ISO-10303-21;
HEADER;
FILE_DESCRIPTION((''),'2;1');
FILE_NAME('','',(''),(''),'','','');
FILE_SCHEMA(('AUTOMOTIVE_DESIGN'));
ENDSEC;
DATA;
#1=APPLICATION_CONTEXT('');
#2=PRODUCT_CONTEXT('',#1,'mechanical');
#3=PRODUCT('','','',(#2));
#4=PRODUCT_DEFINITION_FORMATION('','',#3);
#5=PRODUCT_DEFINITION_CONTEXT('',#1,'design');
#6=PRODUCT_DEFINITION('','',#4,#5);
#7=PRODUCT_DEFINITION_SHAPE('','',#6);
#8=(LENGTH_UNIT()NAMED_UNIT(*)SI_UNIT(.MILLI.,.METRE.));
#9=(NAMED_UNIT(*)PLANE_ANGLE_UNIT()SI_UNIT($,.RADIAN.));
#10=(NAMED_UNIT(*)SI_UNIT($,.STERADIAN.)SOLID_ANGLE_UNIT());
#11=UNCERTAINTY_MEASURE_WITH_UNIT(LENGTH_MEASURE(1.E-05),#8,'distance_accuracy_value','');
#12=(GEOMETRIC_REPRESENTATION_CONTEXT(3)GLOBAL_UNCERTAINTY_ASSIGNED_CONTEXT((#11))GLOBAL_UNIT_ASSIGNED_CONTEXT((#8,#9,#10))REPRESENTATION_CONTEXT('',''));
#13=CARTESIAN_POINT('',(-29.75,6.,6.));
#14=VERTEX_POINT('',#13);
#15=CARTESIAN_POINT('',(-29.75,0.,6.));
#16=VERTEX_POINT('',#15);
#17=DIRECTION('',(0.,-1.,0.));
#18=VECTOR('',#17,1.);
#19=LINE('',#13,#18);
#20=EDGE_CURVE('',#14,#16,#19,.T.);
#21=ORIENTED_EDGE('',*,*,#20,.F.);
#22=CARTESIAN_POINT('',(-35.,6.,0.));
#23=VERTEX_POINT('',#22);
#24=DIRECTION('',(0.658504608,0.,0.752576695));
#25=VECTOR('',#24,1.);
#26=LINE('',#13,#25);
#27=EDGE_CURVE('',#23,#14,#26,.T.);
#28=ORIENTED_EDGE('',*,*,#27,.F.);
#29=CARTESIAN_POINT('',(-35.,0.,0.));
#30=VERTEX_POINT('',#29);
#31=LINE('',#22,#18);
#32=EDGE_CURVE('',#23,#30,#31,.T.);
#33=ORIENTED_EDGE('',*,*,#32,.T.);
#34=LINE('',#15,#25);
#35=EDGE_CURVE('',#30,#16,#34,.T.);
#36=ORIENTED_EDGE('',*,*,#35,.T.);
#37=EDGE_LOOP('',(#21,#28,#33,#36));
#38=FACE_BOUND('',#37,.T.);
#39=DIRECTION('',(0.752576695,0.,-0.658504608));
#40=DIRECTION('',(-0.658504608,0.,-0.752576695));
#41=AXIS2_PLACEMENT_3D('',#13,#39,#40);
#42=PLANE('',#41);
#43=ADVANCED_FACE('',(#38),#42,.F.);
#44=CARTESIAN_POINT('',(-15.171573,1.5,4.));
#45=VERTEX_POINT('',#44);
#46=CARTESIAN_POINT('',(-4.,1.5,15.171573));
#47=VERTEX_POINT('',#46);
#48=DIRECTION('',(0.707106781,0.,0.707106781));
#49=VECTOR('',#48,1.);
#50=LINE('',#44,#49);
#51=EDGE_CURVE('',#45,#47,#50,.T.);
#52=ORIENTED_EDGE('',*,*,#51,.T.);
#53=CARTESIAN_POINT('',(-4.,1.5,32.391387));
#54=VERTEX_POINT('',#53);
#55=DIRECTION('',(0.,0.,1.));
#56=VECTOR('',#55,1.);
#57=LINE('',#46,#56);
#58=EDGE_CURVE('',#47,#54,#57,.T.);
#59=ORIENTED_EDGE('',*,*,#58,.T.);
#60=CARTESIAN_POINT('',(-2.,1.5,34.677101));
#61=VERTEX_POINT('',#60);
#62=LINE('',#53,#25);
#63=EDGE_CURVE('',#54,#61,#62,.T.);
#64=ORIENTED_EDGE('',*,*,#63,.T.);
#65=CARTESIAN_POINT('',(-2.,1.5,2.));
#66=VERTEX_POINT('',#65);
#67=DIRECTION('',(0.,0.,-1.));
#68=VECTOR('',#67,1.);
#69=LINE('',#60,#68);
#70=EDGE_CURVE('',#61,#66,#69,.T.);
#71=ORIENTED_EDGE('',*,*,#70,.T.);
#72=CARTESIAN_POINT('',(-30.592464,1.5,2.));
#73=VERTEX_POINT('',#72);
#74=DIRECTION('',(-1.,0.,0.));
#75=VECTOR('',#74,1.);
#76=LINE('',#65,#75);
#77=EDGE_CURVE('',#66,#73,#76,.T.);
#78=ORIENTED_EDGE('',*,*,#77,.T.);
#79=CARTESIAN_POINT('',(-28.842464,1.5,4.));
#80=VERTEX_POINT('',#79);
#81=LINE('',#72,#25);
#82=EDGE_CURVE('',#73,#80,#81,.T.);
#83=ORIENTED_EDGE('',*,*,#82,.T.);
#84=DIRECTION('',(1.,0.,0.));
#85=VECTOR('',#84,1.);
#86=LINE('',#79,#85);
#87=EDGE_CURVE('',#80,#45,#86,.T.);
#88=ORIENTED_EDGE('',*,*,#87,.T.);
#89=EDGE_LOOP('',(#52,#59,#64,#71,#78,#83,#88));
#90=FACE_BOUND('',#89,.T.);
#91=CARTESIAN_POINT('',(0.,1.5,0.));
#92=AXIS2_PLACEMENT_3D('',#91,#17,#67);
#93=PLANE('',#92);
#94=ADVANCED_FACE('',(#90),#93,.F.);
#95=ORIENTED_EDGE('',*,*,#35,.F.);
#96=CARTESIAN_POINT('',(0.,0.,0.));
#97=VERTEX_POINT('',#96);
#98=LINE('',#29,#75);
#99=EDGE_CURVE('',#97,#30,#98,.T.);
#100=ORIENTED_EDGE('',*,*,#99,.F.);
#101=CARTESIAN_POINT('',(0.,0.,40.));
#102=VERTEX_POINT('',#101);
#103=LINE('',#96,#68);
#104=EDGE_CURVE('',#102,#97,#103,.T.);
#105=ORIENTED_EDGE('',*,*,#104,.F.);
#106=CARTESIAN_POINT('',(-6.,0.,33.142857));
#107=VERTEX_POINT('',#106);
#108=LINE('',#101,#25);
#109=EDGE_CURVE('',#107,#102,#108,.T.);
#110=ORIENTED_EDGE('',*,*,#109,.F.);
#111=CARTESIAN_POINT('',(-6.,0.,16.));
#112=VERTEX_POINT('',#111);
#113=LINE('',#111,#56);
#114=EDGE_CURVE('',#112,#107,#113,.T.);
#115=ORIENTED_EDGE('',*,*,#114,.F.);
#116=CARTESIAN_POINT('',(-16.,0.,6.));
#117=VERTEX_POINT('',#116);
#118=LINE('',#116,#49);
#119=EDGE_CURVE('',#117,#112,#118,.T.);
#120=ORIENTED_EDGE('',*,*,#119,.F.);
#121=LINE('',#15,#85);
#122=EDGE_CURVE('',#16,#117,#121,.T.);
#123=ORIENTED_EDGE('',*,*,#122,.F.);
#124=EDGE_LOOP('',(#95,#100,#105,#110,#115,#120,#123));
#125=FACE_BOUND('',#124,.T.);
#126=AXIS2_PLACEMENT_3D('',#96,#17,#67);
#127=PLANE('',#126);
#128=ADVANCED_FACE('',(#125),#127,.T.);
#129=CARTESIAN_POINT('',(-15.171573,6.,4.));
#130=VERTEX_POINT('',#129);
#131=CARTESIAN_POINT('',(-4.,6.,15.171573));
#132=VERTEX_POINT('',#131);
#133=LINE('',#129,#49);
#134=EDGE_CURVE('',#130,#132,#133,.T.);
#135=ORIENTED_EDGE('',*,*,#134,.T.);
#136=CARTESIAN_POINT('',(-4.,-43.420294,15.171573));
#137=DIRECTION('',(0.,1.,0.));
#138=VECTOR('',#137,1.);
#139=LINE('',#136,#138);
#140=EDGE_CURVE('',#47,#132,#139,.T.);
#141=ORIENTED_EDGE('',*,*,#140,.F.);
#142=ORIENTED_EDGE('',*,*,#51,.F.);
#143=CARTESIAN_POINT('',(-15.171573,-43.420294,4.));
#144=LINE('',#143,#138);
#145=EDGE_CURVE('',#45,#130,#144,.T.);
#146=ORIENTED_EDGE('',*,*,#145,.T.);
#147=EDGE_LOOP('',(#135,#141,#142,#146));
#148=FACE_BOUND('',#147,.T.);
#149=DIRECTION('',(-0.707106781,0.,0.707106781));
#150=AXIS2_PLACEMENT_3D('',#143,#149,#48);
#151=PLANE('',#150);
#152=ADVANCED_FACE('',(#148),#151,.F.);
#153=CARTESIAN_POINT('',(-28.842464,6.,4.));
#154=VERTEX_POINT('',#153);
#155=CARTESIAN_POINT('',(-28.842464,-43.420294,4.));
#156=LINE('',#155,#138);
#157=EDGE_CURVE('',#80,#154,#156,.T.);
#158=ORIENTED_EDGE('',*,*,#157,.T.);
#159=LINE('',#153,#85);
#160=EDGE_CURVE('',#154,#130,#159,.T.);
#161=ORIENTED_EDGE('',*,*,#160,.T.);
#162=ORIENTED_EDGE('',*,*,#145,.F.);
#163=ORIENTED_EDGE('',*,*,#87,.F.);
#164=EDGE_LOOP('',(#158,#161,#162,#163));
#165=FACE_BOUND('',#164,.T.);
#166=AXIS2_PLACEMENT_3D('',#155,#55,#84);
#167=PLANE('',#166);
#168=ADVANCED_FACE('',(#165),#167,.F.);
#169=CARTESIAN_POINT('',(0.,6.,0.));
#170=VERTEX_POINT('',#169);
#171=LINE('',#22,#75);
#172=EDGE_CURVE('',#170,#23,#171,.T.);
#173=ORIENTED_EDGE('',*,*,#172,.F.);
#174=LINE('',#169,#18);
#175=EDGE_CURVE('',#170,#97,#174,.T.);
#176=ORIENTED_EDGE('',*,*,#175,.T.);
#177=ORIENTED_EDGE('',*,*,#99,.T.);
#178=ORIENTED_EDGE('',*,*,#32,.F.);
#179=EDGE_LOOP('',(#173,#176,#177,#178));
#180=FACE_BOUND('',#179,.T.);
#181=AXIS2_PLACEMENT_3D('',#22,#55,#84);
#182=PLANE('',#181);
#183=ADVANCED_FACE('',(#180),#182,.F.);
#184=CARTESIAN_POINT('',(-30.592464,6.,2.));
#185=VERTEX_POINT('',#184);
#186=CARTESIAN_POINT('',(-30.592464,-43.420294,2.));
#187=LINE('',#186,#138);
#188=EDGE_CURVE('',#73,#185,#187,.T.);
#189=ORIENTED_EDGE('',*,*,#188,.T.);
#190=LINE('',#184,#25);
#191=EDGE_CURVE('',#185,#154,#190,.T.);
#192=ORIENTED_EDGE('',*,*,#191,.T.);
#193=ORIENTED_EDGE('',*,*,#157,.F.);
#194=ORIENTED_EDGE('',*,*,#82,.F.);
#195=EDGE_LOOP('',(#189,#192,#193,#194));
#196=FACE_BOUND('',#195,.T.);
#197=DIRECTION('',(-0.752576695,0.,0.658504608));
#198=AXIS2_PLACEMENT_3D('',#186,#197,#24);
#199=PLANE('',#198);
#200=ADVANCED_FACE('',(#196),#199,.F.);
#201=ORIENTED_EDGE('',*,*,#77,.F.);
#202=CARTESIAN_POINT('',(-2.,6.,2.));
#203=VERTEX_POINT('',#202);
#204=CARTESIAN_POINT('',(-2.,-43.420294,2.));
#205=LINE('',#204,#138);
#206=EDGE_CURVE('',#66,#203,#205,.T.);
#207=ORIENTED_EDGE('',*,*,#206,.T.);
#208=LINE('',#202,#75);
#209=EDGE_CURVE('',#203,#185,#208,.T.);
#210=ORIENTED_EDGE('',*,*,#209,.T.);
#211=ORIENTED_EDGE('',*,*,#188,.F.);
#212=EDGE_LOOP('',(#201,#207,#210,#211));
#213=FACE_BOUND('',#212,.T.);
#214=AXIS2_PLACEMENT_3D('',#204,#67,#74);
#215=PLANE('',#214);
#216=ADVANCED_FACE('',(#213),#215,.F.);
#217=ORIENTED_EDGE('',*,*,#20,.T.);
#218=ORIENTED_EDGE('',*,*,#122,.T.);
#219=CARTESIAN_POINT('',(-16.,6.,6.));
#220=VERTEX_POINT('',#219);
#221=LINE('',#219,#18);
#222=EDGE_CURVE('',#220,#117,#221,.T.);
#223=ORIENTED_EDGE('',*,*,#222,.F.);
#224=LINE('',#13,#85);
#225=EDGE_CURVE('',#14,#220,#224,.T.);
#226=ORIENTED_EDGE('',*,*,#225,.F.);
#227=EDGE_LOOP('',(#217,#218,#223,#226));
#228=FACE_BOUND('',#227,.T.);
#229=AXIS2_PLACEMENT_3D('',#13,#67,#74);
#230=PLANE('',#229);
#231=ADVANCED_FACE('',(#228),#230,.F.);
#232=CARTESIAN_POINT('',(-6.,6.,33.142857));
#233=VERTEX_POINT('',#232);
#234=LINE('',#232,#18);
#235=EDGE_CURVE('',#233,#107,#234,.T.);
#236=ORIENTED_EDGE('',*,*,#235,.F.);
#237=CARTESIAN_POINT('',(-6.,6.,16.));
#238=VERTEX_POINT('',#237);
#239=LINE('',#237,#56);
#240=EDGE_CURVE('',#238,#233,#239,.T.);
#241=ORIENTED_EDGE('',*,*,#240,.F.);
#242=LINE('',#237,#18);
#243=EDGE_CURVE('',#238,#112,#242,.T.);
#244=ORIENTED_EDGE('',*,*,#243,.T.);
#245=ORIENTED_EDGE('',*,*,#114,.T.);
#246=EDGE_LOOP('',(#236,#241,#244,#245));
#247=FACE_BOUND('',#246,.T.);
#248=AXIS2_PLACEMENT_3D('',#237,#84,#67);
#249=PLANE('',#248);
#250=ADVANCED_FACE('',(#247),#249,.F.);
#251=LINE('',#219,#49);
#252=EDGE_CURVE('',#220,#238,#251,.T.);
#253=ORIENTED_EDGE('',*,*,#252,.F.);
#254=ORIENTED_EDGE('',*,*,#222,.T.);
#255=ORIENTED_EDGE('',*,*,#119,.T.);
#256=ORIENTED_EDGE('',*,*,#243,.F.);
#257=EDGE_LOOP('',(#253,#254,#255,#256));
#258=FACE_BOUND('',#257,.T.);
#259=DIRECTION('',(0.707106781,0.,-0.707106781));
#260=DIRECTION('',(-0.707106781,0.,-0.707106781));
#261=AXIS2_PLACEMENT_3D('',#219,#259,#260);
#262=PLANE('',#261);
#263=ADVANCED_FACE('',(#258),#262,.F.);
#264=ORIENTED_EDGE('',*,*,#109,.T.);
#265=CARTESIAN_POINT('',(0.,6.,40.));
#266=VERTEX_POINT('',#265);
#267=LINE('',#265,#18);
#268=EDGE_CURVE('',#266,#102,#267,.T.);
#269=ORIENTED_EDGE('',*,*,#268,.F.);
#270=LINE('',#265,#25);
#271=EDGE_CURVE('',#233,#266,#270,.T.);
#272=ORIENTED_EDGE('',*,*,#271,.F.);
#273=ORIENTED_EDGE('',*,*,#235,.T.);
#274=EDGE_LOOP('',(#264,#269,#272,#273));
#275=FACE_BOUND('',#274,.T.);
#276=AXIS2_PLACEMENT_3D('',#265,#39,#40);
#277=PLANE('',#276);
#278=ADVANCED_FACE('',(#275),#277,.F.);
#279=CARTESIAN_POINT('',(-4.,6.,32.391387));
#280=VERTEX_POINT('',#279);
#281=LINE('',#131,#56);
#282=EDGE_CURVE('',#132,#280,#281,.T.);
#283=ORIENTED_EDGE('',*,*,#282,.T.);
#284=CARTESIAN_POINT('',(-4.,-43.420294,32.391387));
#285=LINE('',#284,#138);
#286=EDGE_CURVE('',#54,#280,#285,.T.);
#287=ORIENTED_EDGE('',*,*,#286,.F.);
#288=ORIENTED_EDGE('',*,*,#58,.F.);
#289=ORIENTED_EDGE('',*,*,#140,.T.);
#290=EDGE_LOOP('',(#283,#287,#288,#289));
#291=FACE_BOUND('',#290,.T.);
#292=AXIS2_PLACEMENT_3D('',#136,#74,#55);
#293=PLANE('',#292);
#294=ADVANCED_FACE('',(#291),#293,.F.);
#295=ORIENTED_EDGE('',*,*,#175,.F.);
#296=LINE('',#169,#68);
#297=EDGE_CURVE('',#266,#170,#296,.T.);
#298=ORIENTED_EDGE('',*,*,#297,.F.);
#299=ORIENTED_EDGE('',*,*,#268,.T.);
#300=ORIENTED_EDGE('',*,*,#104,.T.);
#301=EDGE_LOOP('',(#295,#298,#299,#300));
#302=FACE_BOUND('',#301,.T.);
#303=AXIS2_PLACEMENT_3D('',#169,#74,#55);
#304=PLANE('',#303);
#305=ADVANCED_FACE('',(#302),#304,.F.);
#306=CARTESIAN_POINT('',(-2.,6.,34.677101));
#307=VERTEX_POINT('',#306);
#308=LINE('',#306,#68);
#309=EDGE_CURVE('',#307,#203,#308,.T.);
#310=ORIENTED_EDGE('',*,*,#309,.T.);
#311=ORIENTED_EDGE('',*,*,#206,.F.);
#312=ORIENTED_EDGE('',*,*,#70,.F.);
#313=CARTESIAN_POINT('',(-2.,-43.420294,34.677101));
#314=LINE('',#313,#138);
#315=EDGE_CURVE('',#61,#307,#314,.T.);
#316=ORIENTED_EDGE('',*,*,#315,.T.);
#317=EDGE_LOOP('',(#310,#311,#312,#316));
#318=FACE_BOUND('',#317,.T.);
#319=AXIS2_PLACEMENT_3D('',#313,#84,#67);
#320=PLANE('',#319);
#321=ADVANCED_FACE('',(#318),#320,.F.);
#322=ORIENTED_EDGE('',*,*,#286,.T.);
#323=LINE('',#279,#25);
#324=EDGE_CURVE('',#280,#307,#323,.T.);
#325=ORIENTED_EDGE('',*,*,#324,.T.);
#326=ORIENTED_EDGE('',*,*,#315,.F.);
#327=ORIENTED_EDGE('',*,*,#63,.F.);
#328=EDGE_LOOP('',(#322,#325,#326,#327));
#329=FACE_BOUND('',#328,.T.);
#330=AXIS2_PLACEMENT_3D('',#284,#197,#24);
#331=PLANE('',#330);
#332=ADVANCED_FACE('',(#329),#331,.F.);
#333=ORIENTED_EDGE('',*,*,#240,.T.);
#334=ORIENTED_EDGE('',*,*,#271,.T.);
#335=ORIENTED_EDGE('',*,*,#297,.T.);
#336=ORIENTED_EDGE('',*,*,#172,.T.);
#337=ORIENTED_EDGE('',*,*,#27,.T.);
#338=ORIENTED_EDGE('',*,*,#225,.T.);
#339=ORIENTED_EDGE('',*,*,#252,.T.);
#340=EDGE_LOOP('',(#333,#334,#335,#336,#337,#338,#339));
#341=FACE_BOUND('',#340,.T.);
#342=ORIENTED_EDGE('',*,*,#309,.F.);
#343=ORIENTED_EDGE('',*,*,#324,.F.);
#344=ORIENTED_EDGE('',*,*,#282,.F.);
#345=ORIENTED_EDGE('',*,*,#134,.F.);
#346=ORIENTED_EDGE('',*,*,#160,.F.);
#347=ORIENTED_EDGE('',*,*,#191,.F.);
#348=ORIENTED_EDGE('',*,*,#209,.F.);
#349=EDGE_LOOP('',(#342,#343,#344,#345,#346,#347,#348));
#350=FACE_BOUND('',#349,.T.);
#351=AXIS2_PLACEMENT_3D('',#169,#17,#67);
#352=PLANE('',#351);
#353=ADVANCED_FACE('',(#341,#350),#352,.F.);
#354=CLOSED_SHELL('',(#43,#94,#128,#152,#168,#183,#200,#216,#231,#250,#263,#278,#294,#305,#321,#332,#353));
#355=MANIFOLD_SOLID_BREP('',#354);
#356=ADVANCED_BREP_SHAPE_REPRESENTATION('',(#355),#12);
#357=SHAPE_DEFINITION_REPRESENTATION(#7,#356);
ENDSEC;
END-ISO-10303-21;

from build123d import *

# Parameters (mm, degrees)
EXTRUDE_1_DEPTH     = 6
CUT_EXTRUDE_1_DEPTH = 4.5


with BuildPart() as part:
    # 草图1 → 凸台-拉伸1 (new body)
    with BuildSketch(Plane(origin=(0, 0, 0), x_dir=(1, 0, 0), z_dir=(0, 1, 0))):
        Polygon((-35, 0), (0, 0), (0, -40), (-6, -33.142857143), (-6, -16), (-16, -6), (-29.75, -6), align=None)
    extrude(amount=EXTRUDE_1_DEPTH)

    # 草图3 → 切除-拉伸1 (cut)
    with BuildSketch(Plane(origin=(0, 6, 0), x_dir=(1, 0, 0), z_dir=(0, 1, 0))):
        Polygon((-30.592463547, -2), (-28.842463547, -4), (-15.171572875, -4), (-4, -15.171572875), (-4, -32.391386911), (-2, -34.677101196), (-2, -2), align=None)
    extrude(amount=-CUT_EXTRUDE_1_DEPTH, mode=Mode.SUBTRACT)


solid = part.part
